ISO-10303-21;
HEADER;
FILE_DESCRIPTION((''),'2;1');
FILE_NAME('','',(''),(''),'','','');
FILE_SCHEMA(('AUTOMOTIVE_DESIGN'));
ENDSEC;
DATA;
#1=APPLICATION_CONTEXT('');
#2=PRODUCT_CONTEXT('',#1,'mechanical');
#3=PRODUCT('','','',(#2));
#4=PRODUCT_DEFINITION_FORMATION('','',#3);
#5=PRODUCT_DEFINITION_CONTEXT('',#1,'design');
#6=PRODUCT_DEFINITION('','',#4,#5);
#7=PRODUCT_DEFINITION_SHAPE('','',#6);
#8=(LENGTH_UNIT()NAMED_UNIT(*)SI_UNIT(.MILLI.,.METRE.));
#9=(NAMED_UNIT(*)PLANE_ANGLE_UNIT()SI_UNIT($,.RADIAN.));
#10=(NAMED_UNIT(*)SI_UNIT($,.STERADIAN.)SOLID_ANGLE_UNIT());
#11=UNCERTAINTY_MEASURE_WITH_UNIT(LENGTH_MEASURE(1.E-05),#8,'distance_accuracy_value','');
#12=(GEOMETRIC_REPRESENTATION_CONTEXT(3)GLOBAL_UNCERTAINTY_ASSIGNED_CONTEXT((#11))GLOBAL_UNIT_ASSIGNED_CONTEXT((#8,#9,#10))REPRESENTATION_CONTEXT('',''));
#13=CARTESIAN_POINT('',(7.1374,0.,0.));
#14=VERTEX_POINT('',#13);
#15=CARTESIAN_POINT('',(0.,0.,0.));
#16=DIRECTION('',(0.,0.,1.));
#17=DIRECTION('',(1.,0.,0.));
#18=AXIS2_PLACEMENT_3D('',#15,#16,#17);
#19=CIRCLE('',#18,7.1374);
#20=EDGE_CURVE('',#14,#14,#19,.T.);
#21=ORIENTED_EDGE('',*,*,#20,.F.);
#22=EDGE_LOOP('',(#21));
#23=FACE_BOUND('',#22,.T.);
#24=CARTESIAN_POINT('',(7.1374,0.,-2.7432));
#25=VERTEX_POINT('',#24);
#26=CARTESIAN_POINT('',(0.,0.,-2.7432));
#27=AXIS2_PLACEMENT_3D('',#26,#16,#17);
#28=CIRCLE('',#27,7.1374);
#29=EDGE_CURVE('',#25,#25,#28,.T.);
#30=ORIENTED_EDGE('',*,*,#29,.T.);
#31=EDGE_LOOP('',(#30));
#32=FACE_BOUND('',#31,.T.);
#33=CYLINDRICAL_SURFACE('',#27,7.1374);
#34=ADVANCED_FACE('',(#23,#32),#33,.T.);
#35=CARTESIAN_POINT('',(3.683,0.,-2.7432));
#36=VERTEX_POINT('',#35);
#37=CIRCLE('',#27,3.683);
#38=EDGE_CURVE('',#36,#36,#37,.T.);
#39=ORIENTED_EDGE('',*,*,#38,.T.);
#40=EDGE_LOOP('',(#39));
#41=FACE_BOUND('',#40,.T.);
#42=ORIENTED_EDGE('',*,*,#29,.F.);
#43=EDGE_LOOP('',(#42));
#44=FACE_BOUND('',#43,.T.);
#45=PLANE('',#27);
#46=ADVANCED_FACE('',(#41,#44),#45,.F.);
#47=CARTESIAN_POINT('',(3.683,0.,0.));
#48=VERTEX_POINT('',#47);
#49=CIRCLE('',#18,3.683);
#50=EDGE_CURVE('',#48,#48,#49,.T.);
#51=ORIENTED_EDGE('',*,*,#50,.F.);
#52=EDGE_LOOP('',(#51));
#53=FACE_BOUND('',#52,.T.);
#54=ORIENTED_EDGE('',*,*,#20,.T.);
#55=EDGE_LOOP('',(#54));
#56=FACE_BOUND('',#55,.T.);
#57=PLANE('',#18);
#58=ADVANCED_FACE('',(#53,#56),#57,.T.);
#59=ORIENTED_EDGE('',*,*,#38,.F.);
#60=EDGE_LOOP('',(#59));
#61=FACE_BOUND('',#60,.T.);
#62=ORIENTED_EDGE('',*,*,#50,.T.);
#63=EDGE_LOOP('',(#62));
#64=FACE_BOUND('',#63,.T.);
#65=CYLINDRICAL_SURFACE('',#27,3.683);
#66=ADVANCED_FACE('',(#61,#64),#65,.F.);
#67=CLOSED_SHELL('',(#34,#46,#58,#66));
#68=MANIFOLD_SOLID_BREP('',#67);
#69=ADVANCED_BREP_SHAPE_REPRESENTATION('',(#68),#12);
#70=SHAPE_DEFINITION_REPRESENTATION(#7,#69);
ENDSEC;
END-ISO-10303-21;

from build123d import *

# Parameters (mm, degrees)
SKETCH1_R      = 7.1374
SKETCH1_R_2    = 3.683
EXTRUDE1_DEPTH = 2.7432


with BuildPart() as part:
    # Sketch1 → Extrude1 (new body)
    with BuildSketch(Plane.XY):
        Circle(SKETCH1_R)
        Circle(SKETCH1_R_2, mode=Mode.SUBTRACT)
    extrude(amount=-EXTRUDE1_DEPTH)


solid = part.part
